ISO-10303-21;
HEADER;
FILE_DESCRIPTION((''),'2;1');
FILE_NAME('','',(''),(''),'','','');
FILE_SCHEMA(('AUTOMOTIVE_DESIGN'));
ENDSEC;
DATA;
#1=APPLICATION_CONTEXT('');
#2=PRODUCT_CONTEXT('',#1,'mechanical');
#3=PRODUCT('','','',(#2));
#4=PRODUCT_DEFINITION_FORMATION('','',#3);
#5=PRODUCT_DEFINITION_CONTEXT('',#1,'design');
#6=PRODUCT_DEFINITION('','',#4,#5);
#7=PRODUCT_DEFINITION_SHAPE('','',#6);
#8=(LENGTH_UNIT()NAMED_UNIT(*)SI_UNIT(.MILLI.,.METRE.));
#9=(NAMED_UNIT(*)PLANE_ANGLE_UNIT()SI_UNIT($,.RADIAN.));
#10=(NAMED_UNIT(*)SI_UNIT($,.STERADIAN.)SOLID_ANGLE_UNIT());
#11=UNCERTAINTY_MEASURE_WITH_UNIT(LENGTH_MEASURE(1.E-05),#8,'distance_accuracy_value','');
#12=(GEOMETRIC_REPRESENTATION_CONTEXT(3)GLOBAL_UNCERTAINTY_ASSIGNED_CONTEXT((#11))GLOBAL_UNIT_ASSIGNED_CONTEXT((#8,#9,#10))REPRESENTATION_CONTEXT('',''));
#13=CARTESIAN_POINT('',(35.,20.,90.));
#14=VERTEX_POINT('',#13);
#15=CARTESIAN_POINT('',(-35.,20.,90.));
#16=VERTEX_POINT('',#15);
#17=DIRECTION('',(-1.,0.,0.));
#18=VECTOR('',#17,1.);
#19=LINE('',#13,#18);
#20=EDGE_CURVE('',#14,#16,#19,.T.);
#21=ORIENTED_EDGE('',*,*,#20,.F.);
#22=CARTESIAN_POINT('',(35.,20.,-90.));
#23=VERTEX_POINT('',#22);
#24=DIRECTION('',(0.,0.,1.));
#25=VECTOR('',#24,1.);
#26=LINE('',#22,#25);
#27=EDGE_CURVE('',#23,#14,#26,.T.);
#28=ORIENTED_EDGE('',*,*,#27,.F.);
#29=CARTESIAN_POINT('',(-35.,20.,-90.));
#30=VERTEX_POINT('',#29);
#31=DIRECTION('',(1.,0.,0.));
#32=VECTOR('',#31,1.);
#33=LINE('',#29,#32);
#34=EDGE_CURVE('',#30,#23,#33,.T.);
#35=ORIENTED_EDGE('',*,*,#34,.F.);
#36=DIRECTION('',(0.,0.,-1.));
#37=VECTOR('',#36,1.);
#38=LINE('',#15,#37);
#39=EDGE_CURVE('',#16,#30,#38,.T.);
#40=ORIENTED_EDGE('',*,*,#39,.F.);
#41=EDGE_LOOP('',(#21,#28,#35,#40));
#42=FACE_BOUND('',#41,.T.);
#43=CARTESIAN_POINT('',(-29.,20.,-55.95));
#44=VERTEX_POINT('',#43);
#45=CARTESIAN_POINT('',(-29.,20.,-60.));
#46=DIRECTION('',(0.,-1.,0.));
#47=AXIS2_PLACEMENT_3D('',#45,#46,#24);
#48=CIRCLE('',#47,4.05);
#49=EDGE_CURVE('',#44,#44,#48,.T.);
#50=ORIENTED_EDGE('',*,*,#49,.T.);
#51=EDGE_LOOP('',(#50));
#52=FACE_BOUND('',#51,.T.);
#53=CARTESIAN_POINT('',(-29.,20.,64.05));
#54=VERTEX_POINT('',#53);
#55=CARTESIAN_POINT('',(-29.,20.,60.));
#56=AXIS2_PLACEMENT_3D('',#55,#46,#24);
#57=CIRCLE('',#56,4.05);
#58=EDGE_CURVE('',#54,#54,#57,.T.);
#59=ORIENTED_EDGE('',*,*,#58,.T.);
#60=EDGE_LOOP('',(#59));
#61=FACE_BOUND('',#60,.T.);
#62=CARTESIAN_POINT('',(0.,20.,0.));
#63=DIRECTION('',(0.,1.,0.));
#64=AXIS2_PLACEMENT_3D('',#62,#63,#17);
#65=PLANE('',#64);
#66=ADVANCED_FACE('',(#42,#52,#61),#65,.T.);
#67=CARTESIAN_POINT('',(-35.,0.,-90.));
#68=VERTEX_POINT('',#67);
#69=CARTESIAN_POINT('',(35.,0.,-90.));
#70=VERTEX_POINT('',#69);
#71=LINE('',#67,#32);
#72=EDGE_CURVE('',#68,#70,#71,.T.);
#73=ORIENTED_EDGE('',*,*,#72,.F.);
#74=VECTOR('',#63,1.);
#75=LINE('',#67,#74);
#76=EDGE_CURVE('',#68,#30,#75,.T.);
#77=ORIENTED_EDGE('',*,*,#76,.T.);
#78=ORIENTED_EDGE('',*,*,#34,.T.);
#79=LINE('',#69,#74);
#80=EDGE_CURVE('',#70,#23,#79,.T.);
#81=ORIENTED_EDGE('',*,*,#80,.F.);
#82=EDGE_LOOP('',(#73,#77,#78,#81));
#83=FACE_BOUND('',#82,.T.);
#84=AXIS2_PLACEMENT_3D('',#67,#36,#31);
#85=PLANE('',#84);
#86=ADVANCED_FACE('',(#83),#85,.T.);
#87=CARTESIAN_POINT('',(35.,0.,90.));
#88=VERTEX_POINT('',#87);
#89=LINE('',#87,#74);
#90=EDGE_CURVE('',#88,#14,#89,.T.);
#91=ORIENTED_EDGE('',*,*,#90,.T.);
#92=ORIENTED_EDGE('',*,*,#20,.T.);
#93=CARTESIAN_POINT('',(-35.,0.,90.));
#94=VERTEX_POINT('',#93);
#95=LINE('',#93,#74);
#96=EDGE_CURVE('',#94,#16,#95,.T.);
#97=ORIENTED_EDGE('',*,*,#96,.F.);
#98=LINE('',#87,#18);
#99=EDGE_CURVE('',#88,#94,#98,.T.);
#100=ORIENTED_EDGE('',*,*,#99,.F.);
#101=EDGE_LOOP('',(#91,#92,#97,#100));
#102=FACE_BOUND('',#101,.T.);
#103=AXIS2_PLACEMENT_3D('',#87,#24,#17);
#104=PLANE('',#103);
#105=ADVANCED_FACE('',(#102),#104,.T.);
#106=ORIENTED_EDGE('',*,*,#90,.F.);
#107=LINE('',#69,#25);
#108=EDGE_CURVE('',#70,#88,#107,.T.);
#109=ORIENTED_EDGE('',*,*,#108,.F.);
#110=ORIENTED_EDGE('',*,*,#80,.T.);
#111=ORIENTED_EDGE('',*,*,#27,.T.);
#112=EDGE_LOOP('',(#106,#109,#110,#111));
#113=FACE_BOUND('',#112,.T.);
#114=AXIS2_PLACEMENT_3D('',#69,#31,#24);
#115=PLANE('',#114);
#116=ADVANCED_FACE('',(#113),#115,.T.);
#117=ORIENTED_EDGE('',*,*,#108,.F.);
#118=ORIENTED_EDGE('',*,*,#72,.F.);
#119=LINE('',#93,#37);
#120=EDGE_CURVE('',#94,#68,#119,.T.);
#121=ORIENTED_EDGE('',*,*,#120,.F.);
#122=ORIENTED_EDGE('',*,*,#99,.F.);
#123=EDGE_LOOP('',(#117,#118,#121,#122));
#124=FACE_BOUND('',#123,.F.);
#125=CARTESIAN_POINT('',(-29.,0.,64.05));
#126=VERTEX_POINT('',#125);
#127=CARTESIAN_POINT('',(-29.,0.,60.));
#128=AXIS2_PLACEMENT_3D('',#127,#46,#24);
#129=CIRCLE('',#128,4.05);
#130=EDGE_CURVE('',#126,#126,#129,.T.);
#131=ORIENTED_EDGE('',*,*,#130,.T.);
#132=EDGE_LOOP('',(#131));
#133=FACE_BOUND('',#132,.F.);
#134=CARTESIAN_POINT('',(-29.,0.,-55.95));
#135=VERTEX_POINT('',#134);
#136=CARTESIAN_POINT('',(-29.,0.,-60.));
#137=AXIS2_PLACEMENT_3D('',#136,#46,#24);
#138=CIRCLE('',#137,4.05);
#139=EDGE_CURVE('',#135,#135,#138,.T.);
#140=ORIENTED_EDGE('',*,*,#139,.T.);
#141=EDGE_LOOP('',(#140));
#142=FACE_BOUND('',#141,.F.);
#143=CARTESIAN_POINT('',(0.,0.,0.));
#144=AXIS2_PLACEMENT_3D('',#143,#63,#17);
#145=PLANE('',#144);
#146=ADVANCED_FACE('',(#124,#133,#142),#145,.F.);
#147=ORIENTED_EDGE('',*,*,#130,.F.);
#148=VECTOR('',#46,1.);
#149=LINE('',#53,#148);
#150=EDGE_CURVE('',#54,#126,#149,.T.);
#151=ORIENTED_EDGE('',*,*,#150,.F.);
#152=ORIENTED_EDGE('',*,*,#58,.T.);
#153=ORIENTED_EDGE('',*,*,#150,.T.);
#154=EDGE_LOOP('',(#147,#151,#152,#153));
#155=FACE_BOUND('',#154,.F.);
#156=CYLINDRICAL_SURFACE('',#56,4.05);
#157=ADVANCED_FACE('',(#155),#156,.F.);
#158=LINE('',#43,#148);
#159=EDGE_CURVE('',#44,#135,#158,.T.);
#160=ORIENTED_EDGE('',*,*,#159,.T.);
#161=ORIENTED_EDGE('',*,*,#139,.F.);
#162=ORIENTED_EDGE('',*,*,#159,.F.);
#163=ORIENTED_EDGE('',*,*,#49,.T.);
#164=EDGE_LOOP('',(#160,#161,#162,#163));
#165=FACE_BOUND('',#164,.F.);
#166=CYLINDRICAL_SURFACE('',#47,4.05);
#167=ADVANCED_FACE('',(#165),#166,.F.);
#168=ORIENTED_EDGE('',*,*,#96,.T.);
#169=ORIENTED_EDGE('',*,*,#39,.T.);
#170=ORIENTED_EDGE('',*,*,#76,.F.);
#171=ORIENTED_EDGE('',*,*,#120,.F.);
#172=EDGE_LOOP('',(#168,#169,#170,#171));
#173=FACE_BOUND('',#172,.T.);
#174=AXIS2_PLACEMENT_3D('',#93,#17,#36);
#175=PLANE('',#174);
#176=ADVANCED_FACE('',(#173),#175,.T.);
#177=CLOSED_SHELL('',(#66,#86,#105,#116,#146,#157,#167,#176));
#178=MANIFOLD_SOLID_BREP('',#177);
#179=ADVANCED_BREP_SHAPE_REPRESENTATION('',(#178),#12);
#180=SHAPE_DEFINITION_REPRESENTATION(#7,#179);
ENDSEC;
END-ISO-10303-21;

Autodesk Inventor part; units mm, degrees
ref_plane "YZ Plane" through (0, 0, 0) normal (1, 0, 0) x (0, 1, 0)
ref_plane "XZ Plane" through (0, 0, 0) normal (0, 1, 0) x (-1, 0, 0)
ref_plane "XY Plane" through (0, 0, 0) normal (0, 0, 1) x (1, 0, 0)
sketch "Эскиз1" plane through (0, 0, 0) normal (0, 1, 0) x (-1, 0, 0)
  line L0 (-35, 90) -> (35, 90)
  line L1 (35, 90) -> (35, -90)
  line L2 (35, -90) -> (-35, -90)
  line L3 (-35, -90) -> (-35, 90)
  line L4 (-35, 90) -> (35, -90) construction
  line L5 (35, 90) -> (-35, -90) construction
  point P0 (0, 0)
  dimension "d0" = 70
  dimension "d1" = 180
extrude "Выдавливание1" add sketch "Эскиз1" along normal blind 20
sketch "Эскиз2" plane through (0, 20, 0) normal (0, 1, 0) x (1, 0, 0)
  line L0 (-38.8888, 0) -> (-2.6205, 0) construction
  line L1 (-35, 90) -> (-35, -90) projected
  point P0 (0, 0)
  point P1 (-29, -60)
  point P2 (-29, 60)
  dimension "d5" = 60
  dimension "d13" = 6
hole "Отверстие1" at (-29, 20, 60) at (-29, 20, -60) direction (0, -1, 0) diameter 8.1 depth 80
properties part number "Крепление для опор"
